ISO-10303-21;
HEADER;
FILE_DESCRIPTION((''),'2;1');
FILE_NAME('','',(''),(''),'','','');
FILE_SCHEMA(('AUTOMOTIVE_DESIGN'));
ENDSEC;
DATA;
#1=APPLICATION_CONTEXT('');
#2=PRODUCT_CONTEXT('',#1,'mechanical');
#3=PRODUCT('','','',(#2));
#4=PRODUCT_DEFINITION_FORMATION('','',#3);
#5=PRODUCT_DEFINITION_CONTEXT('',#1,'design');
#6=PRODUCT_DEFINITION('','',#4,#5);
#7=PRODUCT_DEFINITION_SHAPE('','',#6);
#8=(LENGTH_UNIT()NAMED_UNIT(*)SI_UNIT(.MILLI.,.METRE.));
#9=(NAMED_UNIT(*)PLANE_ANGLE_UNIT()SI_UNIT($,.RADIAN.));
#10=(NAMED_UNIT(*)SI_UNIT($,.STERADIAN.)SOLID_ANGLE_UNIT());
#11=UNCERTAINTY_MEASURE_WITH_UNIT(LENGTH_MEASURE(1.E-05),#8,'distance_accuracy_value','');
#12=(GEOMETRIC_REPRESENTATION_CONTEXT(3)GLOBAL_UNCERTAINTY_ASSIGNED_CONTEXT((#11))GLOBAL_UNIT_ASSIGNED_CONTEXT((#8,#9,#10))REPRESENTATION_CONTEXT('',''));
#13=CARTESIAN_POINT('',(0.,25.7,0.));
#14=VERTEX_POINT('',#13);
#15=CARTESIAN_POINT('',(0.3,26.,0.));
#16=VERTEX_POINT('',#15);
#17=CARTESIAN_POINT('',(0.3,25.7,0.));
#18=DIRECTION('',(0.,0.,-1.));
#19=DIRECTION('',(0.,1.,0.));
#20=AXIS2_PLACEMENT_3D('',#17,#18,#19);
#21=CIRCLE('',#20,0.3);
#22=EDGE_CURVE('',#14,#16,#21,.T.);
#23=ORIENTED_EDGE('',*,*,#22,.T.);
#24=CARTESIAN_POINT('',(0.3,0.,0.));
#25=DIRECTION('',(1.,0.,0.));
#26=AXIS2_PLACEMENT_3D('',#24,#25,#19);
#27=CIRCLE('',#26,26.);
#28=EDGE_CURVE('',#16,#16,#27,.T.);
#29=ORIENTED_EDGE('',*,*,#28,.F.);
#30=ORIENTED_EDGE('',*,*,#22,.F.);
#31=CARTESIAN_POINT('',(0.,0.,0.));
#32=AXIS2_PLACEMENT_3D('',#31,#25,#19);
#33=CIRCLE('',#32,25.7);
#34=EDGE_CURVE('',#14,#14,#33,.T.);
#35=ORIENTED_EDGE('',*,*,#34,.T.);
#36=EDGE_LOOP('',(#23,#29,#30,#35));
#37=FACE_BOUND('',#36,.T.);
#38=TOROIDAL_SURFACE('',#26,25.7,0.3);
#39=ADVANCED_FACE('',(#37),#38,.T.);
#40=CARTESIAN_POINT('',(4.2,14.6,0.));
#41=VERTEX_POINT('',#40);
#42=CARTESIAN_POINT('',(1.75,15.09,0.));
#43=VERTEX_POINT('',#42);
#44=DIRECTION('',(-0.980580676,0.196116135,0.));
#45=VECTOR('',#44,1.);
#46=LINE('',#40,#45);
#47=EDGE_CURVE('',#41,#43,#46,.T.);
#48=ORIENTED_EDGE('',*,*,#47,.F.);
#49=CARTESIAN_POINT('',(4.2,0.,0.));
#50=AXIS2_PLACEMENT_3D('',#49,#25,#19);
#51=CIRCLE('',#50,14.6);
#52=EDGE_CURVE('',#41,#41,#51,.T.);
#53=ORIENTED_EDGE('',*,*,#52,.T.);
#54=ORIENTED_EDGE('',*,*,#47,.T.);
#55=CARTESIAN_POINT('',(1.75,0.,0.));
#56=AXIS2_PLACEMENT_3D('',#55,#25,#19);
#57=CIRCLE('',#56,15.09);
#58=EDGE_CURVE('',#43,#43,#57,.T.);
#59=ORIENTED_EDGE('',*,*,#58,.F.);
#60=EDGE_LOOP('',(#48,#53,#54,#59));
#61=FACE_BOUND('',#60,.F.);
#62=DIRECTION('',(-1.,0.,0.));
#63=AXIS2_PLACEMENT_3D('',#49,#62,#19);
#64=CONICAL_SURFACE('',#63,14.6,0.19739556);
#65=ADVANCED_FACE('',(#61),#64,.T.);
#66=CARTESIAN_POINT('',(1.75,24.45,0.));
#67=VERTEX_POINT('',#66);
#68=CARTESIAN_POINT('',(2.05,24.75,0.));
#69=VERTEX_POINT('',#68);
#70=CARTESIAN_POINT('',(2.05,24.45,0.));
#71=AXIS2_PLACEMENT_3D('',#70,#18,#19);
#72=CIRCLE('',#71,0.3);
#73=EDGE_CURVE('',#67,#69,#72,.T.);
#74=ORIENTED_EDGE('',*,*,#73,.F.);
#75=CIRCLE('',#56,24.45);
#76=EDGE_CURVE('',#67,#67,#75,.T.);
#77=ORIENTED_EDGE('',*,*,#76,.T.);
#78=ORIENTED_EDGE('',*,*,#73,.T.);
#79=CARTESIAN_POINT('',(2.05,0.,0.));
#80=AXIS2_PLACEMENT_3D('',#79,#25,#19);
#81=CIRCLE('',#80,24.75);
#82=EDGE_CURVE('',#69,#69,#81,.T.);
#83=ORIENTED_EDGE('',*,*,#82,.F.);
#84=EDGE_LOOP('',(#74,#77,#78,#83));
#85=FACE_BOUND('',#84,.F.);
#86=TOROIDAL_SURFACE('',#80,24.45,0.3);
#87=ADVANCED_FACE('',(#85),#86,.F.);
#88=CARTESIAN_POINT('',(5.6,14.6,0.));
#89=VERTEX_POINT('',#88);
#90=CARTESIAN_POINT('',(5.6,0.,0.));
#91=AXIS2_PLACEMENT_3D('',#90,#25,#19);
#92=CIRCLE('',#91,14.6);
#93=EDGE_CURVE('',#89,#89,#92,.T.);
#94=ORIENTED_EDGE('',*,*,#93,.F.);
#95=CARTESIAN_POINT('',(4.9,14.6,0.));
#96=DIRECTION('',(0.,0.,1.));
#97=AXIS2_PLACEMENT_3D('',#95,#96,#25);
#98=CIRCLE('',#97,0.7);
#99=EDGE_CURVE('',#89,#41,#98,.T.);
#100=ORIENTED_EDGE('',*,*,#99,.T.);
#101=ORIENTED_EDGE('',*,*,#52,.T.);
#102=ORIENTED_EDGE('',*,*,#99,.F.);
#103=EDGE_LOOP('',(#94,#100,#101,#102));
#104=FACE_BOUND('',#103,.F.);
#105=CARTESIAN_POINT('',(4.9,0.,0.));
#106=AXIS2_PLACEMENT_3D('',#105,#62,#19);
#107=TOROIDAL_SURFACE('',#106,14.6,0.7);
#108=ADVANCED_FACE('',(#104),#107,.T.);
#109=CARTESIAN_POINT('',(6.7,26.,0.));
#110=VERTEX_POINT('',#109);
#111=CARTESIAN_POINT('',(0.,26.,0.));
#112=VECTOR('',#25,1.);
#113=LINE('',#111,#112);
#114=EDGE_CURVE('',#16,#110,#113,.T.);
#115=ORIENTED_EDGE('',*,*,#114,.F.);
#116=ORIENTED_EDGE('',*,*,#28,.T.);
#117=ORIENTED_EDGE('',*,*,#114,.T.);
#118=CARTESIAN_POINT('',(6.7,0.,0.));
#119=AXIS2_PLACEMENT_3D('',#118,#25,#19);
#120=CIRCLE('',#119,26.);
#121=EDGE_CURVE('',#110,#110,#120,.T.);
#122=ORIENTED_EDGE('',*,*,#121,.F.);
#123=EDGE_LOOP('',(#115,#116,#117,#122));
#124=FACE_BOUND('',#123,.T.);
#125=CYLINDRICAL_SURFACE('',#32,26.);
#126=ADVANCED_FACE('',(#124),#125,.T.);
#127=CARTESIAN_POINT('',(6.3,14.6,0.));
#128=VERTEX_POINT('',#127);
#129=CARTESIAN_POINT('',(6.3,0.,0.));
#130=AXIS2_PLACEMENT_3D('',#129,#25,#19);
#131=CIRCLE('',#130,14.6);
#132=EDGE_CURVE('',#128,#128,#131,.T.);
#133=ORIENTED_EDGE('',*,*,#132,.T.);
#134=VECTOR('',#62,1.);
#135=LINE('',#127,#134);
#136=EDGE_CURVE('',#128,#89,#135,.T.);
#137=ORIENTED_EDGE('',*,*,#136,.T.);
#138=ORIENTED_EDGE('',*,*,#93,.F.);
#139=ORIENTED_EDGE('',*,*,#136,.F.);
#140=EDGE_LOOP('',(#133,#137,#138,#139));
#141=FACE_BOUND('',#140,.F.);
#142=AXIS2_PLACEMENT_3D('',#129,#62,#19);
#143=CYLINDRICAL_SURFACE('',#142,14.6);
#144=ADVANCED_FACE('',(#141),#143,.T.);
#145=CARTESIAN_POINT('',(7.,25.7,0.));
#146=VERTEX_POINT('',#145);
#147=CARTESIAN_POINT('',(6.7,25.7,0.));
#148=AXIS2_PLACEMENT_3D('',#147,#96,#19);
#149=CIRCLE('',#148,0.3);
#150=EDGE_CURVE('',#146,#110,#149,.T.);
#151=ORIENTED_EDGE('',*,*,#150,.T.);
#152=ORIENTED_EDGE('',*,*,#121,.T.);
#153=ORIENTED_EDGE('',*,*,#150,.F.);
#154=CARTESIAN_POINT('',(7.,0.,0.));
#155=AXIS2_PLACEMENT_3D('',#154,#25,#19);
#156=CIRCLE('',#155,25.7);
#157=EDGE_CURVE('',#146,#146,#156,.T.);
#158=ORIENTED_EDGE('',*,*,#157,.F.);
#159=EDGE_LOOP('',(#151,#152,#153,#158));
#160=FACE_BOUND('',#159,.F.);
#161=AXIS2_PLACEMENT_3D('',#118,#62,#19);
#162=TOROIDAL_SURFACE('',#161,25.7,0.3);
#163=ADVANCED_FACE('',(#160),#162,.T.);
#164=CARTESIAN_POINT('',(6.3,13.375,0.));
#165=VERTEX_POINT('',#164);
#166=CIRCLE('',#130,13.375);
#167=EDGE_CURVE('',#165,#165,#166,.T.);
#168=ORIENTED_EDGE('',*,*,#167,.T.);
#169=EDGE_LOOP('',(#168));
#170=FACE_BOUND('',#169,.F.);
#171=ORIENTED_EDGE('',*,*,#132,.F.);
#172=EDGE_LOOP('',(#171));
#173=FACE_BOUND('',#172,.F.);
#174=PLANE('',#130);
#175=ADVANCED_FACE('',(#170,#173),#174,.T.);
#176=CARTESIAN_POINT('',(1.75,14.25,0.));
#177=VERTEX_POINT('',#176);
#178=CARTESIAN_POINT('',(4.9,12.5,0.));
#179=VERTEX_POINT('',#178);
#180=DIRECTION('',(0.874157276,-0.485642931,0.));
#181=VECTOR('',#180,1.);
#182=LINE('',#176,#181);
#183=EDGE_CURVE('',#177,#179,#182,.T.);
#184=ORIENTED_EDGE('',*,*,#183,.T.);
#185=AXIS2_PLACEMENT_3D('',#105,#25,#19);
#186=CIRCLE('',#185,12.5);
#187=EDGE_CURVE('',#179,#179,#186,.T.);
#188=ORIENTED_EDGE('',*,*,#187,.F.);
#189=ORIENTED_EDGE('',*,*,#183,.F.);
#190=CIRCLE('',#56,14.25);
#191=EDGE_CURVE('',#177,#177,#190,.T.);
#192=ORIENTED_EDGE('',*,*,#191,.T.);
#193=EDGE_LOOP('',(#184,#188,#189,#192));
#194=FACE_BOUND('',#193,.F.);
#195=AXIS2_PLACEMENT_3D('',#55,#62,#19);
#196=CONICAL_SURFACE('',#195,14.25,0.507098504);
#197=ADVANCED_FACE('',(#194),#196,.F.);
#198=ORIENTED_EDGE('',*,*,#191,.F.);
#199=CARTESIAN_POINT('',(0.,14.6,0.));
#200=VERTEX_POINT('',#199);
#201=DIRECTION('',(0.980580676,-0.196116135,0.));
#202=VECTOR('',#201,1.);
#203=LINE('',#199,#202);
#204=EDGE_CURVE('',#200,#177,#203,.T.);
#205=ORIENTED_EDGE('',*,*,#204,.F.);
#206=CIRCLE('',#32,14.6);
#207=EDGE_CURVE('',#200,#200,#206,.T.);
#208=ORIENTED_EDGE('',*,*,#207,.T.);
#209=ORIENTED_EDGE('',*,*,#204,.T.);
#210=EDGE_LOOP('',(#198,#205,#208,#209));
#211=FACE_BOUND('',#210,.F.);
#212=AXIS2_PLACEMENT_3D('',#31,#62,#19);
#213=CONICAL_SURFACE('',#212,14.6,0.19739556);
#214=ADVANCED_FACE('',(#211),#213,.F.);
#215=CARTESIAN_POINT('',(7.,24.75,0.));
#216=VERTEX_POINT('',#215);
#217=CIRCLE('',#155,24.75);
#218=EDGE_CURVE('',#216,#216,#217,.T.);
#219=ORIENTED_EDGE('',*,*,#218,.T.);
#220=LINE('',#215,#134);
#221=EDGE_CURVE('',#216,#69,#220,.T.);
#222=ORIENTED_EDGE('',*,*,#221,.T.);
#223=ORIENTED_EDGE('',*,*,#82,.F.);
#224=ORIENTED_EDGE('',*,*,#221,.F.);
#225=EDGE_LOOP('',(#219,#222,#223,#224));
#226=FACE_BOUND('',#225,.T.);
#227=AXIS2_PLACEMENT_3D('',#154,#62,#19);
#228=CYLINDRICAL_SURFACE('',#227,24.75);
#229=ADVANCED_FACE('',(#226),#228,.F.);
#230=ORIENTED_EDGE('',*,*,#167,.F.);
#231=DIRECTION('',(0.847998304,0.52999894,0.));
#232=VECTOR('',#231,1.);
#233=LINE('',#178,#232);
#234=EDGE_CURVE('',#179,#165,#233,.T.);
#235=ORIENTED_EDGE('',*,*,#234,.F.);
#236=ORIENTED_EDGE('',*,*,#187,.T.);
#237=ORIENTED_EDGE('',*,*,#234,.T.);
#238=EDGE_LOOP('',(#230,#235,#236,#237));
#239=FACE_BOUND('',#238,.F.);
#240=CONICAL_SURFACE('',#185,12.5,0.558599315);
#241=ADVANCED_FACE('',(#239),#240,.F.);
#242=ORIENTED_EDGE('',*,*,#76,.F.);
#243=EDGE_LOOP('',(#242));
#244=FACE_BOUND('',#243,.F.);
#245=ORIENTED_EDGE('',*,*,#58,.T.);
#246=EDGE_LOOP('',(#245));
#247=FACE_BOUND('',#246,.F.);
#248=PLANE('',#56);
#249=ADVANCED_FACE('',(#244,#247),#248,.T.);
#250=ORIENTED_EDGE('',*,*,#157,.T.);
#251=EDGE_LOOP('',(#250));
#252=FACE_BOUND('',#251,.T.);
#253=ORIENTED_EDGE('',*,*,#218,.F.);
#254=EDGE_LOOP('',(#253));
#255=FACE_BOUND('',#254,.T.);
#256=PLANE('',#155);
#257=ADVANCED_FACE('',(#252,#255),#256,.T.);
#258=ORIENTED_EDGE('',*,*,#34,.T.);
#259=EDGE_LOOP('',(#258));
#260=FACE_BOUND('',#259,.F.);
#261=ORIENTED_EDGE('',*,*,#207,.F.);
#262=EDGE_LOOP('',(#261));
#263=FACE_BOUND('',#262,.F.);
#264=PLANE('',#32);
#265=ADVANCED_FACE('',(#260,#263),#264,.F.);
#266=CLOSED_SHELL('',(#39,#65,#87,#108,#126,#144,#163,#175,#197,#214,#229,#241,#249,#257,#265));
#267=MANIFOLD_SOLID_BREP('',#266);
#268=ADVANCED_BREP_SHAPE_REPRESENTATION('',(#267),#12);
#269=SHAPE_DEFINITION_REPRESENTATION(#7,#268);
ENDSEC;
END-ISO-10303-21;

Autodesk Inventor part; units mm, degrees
ref_plane "YZ Plane" through (0, 0, 0) normal (1, 0, 0) x (0, 1, 0)
ref_plane "XZ Plane" through (0, 0, 0) normal (0, 1, 0) x (-1, 0, 0)
ref_plane "XY Plane" through (0, 0, 0) normal (0, 0, 1) x (1, 0, 0)
sketch "Sketch1" plane through (0, 0, 0) normal (0, 0, 1) x (1, 0, 0)
  circle A0 centre (4.9, 14.6) radius 0.455
  circle A1 centre (4.9, 14.6) radius 0.7
  line L0 (6.3, 13.375) -> (6.3, 14.6)
  line L1 (0, 26) -> (7, 26)
  line L2 (7, 26) -> (7, 24.75)
  line L3 (7, 24.75) -> (1.75, 24.75)
  line L4 (0, 0) -> (9.5856, 0)
  line L5 (0, 26) -> (0, 14.6)
  line L6 (0, 14.6) -> (1.75, 14.25)
  line L7 (1.75, 14.25) -> (4.9, 12.5)
  line L8 (4.9, 12.5) -> (6.3, 13.375)
  line L9 (4.9, 12.5) -> (0, 12.5) construction
  line L10 (0, 18) -> (0, -3) projected
  line L11 (-1.9171, 0) -> (11.5027, 0) projected
  line L12 (4.2, 14.6) -> (1.75, 15.09)
  line L13 (1.75, 15.09) -> (1.75, 24.75)
  line L14 (6.3, 14.6) -> (5.6, 14.6)
  dimension "d0" = 52
  dimension "d1" = 26.75
  dimension "d2" = 1.25
  dimension "d3" = 0.91
  dimension "d4" = 1.4
  dimension "d5" = 25
  dimension "d6" = 28.5
  dimension "d7" = 29.2
  dimension "d8" = 4.9
  dimension "d9" = 6.3
  dimension "d10" = 7
  dimension "d12" = 1.75
revolve "Body" add sketch "Sketch1" angle 360 about axis through (0, 0, 0) along (1, 0, 0) contours L14 L0 L8 L7 L6 L5 L1 L2 L3 L13 L12 A1
revolve "Spring1" add sketch "Sketch1" angle 360 about axis through (0, 0, 0) along (1, 0, 0) contours A0 | A1
fillet "Fillet1" radius 0.3 3 edges at (7, -26, 0) (1.75, -24.75, 0) (0, -26, 0)
equation "\"d0\" = SD2"
equation "\"d1\" = ABDM"
equation "\"d3\" = SPDI"
equation "\"d4\" = SPDA"
equation "\"d5\" = NND"
equation "\"d6\" = TKDM"
equation "\"d7\" = HLDM"
equation "\"d8\" = SPDST"
equation "\"d9\" = SDI"
equation "\"d10\" = SWDT"
equation "\"d12\" = SD"
equation "\"d11\" = RR"
equation "\"SD2\" = 52"
equation "\"SWDT\" = 7"
equation "\"RR\" = 0.3"
equation "\"SD\" = 1.75"
equation "\"NND\" = 25"
equation "\"SPDA\" = 1.4"
equation "\"SPDI\" = 0.91"
equation "\"TKDM\" = 28.5"
equation "\"HLDM\" = 29.2"
equation "\"ABDM\" = 26.75"
equation "\"SDI\" = 6.3"
equation "\"SPDST\" = 4.9"
equation "\"LAB\" = 0.35"
properties part number "CSN 02 9401 - G 25x52x7 - NBR" material "Rubber"
